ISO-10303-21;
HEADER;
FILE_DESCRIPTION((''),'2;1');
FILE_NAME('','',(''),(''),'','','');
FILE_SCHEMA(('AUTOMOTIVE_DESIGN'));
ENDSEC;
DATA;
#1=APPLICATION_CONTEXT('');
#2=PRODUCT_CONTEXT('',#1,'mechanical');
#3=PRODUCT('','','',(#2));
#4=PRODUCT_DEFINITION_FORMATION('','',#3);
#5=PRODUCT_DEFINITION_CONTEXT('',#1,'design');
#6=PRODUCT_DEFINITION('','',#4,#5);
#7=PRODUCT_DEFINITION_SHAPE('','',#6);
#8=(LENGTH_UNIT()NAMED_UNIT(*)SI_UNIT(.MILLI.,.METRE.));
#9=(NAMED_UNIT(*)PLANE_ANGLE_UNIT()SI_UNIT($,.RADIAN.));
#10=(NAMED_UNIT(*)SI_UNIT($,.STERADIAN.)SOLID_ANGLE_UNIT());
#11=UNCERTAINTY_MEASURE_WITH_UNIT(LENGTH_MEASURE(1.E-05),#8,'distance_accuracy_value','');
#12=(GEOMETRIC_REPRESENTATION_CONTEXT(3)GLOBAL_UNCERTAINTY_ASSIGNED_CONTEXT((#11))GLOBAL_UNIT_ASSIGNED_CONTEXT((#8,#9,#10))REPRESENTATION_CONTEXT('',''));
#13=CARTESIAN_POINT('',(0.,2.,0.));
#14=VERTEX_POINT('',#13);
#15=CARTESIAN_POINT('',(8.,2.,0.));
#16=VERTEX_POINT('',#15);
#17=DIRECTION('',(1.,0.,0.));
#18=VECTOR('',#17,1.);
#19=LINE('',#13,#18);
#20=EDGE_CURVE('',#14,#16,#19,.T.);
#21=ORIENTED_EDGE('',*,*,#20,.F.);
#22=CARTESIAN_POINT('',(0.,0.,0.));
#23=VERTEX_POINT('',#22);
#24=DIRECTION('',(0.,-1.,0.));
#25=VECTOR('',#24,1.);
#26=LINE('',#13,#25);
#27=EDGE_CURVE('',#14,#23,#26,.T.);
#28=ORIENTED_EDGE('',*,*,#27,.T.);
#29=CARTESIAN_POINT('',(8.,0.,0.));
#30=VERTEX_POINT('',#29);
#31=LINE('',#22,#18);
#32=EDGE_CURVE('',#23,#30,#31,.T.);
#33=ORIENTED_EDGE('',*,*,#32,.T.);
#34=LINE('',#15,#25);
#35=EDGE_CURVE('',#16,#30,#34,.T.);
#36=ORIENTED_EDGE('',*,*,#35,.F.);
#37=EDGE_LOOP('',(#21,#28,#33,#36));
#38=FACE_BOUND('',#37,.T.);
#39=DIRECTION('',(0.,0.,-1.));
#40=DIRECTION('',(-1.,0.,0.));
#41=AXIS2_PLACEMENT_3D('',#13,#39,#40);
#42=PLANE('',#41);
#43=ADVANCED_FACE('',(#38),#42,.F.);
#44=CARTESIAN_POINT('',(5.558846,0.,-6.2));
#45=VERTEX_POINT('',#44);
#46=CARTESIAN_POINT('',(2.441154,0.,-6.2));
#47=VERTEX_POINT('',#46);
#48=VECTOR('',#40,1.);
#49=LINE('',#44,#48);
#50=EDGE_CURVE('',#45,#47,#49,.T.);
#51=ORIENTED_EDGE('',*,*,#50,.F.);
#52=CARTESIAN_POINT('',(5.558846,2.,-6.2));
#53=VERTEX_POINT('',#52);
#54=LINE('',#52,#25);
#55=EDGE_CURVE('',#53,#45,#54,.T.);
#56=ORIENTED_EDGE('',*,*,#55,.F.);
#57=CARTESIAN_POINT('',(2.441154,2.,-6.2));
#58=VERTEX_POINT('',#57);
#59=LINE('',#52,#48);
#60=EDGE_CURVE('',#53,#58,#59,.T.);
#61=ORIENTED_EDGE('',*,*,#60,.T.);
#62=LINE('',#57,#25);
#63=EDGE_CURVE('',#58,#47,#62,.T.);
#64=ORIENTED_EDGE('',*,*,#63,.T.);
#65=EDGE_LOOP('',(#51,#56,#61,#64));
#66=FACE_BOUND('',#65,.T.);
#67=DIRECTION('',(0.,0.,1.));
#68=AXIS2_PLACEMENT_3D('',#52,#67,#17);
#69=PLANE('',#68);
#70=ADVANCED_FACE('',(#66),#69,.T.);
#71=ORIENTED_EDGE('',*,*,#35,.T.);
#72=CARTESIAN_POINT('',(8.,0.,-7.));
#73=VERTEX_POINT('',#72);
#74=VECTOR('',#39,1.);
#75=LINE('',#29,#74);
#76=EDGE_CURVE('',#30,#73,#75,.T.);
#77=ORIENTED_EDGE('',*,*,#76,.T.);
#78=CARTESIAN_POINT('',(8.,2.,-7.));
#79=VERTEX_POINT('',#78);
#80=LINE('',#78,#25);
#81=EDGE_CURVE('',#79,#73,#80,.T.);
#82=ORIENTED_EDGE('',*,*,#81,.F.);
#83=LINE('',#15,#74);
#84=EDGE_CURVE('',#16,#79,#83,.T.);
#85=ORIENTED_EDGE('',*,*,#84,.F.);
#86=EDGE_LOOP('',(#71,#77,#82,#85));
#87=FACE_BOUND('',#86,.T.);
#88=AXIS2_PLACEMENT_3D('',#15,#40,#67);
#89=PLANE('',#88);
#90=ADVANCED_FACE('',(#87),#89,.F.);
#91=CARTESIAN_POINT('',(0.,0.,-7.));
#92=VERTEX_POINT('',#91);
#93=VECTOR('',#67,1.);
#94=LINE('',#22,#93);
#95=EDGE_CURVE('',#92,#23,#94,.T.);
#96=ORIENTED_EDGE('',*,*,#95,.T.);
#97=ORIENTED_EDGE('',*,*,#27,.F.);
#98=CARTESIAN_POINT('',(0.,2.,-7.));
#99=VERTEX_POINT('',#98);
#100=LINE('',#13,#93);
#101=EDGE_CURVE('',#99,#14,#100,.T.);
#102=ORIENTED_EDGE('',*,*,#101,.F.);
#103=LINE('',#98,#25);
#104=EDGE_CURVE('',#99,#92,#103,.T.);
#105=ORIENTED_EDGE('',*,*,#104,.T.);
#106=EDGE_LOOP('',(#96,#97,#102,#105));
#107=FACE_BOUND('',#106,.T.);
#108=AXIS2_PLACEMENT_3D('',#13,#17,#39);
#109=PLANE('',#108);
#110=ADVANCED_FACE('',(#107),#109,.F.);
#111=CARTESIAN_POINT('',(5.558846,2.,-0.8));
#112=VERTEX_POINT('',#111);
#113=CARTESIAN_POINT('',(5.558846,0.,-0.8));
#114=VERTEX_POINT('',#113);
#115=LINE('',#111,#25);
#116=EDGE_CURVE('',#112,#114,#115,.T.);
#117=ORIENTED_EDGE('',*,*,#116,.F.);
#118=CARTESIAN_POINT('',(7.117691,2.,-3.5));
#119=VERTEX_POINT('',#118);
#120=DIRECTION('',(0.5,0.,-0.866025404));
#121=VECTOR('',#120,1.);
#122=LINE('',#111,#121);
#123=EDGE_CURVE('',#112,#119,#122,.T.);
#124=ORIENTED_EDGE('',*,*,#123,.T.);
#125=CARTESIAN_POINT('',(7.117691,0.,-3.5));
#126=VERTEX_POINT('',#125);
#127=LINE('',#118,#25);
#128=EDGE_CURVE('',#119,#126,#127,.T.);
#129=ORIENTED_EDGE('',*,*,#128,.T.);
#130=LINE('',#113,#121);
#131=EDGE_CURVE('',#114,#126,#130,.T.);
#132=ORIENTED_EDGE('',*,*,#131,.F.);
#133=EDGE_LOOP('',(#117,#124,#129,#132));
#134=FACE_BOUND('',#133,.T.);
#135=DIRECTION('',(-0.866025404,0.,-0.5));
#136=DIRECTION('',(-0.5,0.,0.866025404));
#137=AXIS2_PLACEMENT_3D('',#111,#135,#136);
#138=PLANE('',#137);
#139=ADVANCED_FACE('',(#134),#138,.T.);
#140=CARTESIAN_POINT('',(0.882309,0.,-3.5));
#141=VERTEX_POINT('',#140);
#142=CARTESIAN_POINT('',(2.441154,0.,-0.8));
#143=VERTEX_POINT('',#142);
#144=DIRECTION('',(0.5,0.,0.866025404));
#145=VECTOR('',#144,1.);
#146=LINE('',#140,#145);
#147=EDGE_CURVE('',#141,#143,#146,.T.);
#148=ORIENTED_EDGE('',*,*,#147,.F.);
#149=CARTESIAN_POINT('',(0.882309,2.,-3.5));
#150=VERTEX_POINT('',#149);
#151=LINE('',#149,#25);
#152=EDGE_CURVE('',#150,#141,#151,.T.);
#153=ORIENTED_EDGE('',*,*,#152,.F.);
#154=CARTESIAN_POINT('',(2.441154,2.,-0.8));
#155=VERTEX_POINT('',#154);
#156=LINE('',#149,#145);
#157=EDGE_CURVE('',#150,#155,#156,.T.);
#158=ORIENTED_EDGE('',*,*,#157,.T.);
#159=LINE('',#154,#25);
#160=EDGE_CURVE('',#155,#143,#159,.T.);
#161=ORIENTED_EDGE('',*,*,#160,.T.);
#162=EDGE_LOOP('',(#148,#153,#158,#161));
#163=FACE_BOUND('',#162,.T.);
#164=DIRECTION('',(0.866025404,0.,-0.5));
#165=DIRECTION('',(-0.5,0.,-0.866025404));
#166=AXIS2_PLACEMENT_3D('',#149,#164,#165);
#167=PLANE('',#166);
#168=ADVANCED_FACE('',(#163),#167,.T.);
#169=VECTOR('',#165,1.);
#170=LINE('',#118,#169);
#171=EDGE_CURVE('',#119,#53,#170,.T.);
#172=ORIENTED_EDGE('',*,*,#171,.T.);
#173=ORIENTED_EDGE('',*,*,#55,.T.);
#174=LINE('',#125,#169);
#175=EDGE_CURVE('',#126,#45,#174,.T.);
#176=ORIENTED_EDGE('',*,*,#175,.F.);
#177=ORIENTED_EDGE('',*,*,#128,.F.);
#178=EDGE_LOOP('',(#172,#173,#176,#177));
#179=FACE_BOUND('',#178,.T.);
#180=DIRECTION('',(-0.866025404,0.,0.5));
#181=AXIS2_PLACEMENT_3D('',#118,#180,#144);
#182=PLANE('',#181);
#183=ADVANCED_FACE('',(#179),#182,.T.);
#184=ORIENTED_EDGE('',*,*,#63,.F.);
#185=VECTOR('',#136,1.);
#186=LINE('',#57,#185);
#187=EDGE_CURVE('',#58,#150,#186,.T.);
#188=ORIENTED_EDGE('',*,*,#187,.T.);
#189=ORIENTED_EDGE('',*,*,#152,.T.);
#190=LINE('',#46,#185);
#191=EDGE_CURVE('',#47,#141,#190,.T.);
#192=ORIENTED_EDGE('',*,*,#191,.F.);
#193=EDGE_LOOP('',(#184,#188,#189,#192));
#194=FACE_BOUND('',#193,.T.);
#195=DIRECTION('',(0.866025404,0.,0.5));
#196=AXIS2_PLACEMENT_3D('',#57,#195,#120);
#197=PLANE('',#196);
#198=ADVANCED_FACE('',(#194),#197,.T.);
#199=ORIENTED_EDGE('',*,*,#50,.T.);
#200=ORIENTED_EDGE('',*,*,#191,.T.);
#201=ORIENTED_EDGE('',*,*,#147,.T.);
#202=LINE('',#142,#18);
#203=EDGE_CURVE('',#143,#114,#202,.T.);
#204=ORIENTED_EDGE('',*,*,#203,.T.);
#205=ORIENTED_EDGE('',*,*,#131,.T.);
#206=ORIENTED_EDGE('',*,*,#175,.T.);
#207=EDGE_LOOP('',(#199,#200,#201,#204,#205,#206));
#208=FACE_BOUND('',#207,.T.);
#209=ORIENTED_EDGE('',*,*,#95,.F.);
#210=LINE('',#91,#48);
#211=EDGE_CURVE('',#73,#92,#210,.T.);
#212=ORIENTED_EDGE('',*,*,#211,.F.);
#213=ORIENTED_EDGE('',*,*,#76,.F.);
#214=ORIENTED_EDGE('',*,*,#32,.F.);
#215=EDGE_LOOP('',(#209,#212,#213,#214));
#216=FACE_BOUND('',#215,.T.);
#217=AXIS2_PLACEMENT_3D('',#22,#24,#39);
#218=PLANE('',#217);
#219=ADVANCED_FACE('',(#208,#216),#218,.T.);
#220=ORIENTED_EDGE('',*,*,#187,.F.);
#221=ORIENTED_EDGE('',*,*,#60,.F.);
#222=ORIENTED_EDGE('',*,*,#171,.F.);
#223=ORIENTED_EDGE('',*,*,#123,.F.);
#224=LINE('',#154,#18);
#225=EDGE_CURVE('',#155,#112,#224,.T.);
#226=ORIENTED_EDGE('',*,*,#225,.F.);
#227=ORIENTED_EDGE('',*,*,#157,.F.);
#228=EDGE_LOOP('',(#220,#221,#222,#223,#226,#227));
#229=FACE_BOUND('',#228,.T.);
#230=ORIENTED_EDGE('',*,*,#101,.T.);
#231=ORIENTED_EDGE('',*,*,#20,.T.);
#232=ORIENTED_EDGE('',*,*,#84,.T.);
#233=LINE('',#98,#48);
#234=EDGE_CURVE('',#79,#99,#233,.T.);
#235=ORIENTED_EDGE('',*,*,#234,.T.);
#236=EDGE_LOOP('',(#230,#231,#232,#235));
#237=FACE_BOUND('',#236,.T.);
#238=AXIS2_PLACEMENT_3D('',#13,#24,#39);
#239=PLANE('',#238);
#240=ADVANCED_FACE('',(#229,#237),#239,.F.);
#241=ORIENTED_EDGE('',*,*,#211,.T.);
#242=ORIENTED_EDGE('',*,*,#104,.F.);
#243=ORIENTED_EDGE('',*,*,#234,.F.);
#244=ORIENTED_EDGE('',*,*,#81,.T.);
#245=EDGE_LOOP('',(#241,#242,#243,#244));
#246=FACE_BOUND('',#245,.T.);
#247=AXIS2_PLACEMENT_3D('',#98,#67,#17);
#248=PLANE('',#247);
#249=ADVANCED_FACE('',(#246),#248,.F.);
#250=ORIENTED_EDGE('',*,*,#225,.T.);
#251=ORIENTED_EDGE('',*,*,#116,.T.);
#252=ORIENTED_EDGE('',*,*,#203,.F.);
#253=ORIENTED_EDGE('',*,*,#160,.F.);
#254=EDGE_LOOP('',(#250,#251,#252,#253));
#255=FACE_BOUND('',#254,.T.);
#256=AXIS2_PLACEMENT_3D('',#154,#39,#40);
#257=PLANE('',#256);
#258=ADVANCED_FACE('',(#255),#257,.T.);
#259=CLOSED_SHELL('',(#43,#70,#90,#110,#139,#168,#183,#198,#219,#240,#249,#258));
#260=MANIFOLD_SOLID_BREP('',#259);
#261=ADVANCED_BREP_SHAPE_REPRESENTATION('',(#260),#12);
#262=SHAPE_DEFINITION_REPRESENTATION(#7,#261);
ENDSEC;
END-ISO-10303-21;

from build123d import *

# Parameters (mm, degrees)
SKETCH1_W           = 8
SKETCH1_H           = 7
BOSS_EXTRUDE1_DEPTH = 2


with BuildPart() as part:
    # Sketch1 → Boss-Extrude1 (new body)
    with BuildSketch(Plane(origin=(0, 0, 0), x_dir=(1, 0, 0), z_dir=(0, 1, 0))):
        with Locations((4, 3.5)):
            Rectangle(SKETCH1_W, SKETCH1_H)
        Polygon((7.117691454, 3.5), (5.558845727, 6.2), (2.441154273, 6.2), (0.882308546, 3.5), (2.441154273, 0.8), (5.558845727, 0.8), align=None, mode=Mode.SUBTRACT)
    extrude(amount=BOSS_EXTRUDE1_DEPTH)


solid = part.part
